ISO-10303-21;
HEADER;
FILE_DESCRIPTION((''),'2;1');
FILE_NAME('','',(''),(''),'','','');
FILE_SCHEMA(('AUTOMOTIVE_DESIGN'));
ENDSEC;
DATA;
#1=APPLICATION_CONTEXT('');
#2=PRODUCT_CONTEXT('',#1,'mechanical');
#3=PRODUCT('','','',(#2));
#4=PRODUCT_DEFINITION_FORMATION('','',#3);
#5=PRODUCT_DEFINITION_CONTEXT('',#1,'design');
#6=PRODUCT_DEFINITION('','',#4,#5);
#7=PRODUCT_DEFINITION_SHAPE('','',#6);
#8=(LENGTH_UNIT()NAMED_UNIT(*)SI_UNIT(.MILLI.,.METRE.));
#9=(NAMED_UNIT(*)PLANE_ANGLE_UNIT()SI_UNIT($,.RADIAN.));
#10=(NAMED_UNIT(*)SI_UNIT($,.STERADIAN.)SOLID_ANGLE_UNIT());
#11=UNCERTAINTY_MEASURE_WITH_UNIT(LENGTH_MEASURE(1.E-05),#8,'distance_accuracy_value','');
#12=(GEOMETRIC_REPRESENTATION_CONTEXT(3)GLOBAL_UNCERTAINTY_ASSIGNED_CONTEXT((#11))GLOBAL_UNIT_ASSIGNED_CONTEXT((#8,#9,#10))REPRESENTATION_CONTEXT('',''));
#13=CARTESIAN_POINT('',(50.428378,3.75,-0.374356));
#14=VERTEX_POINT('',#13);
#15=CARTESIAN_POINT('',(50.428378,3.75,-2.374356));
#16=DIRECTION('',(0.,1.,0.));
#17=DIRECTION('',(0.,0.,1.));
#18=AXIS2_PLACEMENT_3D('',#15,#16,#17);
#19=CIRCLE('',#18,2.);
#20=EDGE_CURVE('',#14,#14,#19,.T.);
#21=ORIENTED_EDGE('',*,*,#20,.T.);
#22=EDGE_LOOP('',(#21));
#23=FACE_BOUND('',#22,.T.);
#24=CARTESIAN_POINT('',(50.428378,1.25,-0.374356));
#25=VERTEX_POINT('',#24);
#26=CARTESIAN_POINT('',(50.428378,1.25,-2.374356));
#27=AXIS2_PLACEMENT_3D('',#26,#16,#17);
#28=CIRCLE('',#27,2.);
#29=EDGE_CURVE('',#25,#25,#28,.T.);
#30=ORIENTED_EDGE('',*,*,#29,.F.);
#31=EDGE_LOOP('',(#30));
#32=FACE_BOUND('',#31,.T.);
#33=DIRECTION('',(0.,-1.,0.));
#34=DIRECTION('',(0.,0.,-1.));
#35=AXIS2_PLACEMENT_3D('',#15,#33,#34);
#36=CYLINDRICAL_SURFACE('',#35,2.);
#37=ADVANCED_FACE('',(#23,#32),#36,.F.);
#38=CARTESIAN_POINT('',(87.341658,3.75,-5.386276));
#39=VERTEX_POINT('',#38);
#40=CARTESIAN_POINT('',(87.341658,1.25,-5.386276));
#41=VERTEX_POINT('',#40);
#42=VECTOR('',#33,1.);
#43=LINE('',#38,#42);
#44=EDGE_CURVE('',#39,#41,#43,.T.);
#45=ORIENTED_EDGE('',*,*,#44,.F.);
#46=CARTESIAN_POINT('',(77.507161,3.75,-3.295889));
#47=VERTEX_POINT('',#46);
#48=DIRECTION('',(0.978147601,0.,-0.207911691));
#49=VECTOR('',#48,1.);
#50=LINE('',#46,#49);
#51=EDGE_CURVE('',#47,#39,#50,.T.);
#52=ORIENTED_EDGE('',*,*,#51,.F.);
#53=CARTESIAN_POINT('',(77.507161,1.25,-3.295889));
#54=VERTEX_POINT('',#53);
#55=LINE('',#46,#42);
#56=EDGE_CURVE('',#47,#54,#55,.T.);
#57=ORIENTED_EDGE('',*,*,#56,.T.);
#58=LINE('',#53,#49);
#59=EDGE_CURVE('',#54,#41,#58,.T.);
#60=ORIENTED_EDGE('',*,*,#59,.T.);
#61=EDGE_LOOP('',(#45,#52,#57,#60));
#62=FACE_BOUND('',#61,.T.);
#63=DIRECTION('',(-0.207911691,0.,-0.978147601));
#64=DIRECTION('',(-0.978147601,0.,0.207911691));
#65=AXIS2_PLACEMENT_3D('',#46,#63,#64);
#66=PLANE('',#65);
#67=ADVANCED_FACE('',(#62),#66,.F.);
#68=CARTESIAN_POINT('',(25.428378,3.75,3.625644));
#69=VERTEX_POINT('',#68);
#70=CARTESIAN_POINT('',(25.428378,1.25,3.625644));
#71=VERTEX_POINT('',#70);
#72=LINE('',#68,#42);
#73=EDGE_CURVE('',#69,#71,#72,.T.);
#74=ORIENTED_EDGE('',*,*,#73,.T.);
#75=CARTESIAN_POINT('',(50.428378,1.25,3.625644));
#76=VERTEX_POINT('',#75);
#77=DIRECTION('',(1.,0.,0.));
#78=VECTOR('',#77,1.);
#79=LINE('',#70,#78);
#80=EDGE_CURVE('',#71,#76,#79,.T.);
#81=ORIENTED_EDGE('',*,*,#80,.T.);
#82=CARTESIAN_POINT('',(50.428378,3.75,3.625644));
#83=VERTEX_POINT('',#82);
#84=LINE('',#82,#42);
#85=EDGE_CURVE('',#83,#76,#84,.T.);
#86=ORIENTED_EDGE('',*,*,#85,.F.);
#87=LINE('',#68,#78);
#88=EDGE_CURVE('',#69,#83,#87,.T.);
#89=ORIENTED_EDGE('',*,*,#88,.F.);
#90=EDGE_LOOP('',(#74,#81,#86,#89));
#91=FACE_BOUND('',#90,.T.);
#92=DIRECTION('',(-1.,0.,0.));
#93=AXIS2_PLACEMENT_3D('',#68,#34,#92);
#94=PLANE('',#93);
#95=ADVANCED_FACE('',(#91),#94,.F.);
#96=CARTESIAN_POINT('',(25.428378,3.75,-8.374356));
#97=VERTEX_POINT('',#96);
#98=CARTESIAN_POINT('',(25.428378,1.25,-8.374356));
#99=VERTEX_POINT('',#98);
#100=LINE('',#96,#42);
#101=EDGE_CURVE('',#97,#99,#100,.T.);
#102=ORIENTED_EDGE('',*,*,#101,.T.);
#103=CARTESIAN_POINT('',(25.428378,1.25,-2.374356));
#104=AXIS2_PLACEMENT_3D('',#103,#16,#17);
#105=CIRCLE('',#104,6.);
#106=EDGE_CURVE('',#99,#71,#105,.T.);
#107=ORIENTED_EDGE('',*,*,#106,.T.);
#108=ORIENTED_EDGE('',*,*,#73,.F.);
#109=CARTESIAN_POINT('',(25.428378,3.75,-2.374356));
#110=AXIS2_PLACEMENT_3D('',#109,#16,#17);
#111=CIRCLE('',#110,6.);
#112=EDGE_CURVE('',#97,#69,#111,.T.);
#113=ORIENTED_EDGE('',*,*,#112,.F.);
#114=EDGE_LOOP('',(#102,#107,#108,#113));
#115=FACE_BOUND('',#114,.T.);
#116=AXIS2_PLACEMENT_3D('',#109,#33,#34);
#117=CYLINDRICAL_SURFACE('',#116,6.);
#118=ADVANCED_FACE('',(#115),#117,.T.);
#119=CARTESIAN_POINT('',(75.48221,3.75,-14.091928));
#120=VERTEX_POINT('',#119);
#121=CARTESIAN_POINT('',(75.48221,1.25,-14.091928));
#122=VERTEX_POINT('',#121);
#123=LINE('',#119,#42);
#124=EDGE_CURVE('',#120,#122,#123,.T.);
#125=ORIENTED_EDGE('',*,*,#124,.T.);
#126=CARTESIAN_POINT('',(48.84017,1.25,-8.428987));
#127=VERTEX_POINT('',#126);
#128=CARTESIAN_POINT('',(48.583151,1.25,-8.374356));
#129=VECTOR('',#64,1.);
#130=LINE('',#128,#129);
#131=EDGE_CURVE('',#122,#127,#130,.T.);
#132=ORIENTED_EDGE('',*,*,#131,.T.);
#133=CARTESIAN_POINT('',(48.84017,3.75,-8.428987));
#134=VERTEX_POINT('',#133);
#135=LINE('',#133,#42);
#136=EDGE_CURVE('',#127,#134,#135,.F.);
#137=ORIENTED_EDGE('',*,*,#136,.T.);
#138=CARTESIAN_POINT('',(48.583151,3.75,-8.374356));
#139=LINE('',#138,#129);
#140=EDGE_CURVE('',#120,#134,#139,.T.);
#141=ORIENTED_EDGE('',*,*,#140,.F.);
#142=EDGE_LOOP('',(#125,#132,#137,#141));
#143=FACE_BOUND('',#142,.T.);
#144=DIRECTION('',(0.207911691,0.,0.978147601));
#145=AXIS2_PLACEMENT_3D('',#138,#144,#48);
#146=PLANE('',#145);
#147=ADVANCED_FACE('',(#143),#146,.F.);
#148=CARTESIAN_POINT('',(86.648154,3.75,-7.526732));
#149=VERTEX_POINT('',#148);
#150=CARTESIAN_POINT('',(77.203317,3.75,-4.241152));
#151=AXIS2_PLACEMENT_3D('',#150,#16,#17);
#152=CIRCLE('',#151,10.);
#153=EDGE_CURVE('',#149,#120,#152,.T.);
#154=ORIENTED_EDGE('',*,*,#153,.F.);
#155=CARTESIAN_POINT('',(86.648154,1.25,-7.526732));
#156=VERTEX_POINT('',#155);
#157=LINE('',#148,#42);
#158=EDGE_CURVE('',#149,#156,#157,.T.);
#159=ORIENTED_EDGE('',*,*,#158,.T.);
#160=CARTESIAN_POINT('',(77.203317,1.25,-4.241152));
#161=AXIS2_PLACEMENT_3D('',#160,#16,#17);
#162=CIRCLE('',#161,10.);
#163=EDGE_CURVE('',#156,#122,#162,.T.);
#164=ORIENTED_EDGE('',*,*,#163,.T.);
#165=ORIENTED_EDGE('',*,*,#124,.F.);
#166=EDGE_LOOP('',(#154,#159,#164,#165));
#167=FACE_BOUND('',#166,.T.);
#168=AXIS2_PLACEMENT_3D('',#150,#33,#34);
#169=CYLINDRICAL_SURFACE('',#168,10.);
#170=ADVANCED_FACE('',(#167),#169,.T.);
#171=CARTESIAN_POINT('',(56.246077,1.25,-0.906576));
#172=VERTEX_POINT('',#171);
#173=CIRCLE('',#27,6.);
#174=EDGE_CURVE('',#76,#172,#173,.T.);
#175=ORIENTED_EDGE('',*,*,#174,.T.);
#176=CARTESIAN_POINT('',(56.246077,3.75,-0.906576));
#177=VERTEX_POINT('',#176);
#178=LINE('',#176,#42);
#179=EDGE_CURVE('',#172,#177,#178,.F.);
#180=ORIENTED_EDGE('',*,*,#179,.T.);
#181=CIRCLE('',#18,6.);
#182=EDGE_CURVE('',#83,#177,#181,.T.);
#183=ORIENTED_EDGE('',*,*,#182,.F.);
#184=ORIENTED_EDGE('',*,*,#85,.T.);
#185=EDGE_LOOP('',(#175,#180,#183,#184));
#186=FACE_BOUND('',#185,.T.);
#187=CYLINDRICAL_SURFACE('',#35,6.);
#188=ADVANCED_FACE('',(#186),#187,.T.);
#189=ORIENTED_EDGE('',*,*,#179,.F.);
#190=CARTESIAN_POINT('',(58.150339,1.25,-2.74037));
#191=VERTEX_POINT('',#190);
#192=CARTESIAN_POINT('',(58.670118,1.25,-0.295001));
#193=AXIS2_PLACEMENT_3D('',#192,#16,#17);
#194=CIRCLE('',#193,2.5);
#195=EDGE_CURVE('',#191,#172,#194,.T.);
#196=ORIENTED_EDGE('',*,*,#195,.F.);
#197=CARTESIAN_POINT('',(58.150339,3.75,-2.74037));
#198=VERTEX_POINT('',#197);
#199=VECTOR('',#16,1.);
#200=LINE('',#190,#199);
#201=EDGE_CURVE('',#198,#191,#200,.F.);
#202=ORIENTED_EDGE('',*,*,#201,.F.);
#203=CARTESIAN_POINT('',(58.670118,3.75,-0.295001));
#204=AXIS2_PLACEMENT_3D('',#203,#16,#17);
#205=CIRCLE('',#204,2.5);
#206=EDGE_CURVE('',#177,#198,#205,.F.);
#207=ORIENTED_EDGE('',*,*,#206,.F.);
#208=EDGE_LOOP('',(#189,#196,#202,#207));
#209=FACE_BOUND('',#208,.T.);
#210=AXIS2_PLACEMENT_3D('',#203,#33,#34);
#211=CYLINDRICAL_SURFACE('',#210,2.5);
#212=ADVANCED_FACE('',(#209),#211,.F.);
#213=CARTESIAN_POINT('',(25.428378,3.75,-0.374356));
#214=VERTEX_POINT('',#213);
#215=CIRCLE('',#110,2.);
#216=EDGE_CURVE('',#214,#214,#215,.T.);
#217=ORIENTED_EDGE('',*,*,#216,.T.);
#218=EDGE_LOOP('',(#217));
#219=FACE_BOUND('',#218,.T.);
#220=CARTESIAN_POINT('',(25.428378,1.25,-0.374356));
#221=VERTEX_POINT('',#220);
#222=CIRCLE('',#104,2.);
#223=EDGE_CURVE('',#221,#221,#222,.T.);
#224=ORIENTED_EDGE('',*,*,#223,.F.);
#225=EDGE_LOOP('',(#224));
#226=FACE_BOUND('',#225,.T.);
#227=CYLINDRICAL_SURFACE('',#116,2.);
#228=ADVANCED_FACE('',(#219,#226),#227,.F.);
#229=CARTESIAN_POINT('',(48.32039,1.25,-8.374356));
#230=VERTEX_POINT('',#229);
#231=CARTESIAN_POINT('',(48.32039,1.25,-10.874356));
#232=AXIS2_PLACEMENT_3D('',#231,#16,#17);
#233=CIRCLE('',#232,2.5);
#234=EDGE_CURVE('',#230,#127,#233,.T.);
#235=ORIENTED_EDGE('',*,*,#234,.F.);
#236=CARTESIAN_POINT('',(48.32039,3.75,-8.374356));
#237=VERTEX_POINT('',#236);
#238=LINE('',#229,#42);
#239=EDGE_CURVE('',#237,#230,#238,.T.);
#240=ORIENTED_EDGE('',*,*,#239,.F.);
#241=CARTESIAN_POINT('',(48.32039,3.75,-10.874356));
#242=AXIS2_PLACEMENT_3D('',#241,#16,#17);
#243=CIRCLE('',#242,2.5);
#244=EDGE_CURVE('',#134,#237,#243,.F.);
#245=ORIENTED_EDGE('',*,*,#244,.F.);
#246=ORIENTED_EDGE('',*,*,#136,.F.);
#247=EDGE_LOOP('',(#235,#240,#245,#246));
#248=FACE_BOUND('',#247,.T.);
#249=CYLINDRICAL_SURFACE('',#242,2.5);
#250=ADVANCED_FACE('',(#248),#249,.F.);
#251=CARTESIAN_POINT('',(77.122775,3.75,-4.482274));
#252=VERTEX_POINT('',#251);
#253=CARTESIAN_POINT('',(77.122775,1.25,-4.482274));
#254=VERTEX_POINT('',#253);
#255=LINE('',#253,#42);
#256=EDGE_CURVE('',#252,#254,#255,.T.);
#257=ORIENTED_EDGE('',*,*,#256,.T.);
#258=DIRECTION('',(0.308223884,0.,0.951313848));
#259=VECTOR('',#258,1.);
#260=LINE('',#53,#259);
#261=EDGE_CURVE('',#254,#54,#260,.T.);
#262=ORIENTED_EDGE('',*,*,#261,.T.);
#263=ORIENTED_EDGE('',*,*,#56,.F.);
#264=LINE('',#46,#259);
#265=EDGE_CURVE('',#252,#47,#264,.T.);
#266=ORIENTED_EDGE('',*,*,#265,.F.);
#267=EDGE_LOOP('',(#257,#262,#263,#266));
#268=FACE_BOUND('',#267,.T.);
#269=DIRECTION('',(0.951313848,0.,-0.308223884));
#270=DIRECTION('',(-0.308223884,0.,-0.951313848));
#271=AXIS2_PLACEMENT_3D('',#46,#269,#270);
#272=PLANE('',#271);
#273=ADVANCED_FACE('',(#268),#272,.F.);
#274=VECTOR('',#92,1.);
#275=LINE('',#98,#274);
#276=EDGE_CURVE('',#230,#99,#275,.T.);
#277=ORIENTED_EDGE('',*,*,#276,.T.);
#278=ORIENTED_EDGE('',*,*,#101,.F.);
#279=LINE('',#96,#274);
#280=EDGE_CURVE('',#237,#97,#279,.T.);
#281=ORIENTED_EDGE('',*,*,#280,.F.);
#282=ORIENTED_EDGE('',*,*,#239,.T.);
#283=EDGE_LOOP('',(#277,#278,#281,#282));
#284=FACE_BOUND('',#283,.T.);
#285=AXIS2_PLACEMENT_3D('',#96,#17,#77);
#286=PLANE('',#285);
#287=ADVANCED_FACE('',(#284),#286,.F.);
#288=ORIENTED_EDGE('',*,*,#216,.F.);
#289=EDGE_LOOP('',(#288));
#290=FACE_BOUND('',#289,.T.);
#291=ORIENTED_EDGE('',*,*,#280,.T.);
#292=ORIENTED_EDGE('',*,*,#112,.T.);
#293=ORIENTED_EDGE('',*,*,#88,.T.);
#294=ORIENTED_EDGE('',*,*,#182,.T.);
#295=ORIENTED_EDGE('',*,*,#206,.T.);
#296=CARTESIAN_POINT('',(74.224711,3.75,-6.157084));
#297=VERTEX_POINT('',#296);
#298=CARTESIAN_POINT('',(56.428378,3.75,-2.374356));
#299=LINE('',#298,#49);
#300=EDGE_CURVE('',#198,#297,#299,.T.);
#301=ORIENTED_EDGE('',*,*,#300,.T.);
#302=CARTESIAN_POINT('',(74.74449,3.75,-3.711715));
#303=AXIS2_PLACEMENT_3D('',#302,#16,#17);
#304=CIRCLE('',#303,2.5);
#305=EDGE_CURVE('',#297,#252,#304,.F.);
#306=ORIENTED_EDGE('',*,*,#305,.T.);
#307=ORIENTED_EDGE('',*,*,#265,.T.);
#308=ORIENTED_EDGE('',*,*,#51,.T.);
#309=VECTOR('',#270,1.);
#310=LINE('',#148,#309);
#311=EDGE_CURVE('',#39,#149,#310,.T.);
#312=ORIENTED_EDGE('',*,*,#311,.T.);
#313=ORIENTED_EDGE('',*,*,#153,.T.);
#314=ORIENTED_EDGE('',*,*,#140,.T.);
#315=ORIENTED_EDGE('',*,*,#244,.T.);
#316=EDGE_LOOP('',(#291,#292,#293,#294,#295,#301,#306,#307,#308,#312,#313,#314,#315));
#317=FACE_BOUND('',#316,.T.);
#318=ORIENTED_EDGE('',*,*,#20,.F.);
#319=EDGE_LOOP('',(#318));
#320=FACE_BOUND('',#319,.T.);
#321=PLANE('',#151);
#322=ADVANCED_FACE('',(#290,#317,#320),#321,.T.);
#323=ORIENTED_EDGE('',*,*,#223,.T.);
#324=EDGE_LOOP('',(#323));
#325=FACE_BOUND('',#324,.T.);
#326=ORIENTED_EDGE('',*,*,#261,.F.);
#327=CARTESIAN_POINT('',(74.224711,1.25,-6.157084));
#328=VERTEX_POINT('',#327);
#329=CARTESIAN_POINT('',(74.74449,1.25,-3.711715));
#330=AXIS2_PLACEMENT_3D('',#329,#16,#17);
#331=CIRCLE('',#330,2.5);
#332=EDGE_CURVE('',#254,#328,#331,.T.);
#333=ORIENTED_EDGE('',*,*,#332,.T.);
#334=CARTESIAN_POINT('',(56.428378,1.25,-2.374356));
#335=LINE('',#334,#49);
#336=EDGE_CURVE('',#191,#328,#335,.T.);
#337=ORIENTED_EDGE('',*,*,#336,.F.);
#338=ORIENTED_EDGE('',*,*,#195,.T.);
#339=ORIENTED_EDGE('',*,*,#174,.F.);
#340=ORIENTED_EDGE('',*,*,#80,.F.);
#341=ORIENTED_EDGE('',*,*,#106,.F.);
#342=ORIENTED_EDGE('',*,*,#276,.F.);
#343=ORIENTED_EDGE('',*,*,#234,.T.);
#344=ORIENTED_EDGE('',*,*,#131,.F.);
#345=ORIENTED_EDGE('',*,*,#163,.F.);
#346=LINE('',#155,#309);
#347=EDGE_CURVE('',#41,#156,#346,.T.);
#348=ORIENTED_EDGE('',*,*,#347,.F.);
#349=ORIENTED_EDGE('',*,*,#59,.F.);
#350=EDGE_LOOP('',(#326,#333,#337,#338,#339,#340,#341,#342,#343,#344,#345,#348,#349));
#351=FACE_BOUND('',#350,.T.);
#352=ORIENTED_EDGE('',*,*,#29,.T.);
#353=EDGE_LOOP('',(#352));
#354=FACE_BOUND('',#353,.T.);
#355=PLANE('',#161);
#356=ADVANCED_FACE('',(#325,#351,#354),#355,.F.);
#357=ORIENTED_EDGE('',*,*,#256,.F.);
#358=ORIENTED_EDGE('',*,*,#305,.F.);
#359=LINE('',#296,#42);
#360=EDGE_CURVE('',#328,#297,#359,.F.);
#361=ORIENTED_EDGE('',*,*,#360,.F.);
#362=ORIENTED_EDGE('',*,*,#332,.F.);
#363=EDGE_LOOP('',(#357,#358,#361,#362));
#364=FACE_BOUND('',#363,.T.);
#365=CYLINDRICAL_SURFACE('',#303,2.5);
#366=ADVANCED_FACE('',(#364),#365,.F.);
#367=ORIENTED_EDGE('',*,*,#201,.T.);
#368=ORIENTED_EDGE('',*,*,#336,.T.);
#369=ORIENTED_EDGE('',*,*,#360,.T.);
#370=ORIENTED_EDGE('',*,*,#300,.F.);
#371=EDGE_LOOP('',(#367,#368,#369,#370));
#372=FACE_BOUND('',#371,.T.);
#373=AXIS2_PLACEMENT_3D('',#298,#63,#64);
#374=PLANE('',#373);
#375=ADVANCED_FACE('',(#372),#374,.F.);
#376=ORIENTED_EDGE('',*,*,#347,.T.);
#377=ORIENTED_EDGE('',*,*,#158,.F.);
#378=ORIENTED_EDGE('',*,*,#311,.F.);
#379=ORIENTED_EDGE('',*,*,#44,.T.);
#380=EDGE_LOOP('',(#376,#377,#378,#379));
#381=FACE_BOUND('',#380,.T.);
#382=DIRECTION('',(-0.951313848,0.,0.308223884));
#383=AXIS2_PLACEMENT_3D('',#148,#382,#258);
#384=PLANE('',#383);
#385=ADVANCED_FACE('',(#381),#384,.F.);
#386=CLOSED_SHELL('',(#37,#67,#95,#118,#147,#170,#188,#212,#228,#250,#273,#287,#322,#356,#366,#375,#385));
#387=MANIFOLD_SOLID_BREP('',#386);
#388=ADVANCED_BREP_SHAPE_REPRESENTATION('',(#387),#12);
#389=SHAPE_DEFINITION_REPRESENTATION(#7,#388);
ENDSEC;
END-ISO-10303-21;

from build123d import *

# Parameters (mm, degrees)
SKETCH1_R           = 4
BOSS_EXTRUDE1_DEPTH = 5
FILLET1_R           = 5
SCALE1_SCALE        = 0.5


with BuildPart() as part:
    # Sketch1 → Boss-Extrude1 (new body)
    with BuildSketch(Plane(origin=(0, 0, 0), x_dir=(1, 0, 0), z_dir=(0, 1, 0))):
        with BuildLine():
            Line((0, 12), (46.309546143, 12))
            Line((46.309546143, 12), (100.107664183, 23.435142995))
            ThreePointArc((100.107664183, 23.435142995), (113.686830565, 20.974303457), (122.439553034, 10.304751439))
            Line((122.439553034, 10.304751439), (123.826560512, 6.023839123))
            Line((123.826560512, 6.023839123), (104.157567187, 1.843065531))
            Line((104.157567187, 1.843065531), (102, 8.502262467))
            Line((102, 8.502262467), (62, 0))
            ThreePointArc((62, 0), (58.485281374, -8.485281374), (50, -12))
            Line((50, -12), (0, -12))
            ThreePointArc((0, -12), (-12, 0), (0, 12))
        make_face()
        Circle(SKETCH1_R, mode=Mode.SUBTRACT)
        with Locations((50, 0)):
            Circle(SKETCH1_R, mode=Mode.SUBTRACT)
    extrude(amount=BOSS_EXTRUDE1_DEPTH)

    # Fillet1
    fillet1_edges = [part.edges().sort_by_distance(p)[0] for p in [
        (102, 2.5, -8.502262467),
        (62, 2.5, 0),
        (46.309546143, 2.5, -12),
    ]]
    fillet(fillet1_edges, radius=FILLET1_R)


with BuildPart() as part_1:
    # Scale1: scaled about (50.856755606, 2.5, -4.748712571)
    add(part.part.scale(SCALE1_SCALE).moved(Location((25.428377803, 1.25, -2.374356286))))


solid = part_1.part
